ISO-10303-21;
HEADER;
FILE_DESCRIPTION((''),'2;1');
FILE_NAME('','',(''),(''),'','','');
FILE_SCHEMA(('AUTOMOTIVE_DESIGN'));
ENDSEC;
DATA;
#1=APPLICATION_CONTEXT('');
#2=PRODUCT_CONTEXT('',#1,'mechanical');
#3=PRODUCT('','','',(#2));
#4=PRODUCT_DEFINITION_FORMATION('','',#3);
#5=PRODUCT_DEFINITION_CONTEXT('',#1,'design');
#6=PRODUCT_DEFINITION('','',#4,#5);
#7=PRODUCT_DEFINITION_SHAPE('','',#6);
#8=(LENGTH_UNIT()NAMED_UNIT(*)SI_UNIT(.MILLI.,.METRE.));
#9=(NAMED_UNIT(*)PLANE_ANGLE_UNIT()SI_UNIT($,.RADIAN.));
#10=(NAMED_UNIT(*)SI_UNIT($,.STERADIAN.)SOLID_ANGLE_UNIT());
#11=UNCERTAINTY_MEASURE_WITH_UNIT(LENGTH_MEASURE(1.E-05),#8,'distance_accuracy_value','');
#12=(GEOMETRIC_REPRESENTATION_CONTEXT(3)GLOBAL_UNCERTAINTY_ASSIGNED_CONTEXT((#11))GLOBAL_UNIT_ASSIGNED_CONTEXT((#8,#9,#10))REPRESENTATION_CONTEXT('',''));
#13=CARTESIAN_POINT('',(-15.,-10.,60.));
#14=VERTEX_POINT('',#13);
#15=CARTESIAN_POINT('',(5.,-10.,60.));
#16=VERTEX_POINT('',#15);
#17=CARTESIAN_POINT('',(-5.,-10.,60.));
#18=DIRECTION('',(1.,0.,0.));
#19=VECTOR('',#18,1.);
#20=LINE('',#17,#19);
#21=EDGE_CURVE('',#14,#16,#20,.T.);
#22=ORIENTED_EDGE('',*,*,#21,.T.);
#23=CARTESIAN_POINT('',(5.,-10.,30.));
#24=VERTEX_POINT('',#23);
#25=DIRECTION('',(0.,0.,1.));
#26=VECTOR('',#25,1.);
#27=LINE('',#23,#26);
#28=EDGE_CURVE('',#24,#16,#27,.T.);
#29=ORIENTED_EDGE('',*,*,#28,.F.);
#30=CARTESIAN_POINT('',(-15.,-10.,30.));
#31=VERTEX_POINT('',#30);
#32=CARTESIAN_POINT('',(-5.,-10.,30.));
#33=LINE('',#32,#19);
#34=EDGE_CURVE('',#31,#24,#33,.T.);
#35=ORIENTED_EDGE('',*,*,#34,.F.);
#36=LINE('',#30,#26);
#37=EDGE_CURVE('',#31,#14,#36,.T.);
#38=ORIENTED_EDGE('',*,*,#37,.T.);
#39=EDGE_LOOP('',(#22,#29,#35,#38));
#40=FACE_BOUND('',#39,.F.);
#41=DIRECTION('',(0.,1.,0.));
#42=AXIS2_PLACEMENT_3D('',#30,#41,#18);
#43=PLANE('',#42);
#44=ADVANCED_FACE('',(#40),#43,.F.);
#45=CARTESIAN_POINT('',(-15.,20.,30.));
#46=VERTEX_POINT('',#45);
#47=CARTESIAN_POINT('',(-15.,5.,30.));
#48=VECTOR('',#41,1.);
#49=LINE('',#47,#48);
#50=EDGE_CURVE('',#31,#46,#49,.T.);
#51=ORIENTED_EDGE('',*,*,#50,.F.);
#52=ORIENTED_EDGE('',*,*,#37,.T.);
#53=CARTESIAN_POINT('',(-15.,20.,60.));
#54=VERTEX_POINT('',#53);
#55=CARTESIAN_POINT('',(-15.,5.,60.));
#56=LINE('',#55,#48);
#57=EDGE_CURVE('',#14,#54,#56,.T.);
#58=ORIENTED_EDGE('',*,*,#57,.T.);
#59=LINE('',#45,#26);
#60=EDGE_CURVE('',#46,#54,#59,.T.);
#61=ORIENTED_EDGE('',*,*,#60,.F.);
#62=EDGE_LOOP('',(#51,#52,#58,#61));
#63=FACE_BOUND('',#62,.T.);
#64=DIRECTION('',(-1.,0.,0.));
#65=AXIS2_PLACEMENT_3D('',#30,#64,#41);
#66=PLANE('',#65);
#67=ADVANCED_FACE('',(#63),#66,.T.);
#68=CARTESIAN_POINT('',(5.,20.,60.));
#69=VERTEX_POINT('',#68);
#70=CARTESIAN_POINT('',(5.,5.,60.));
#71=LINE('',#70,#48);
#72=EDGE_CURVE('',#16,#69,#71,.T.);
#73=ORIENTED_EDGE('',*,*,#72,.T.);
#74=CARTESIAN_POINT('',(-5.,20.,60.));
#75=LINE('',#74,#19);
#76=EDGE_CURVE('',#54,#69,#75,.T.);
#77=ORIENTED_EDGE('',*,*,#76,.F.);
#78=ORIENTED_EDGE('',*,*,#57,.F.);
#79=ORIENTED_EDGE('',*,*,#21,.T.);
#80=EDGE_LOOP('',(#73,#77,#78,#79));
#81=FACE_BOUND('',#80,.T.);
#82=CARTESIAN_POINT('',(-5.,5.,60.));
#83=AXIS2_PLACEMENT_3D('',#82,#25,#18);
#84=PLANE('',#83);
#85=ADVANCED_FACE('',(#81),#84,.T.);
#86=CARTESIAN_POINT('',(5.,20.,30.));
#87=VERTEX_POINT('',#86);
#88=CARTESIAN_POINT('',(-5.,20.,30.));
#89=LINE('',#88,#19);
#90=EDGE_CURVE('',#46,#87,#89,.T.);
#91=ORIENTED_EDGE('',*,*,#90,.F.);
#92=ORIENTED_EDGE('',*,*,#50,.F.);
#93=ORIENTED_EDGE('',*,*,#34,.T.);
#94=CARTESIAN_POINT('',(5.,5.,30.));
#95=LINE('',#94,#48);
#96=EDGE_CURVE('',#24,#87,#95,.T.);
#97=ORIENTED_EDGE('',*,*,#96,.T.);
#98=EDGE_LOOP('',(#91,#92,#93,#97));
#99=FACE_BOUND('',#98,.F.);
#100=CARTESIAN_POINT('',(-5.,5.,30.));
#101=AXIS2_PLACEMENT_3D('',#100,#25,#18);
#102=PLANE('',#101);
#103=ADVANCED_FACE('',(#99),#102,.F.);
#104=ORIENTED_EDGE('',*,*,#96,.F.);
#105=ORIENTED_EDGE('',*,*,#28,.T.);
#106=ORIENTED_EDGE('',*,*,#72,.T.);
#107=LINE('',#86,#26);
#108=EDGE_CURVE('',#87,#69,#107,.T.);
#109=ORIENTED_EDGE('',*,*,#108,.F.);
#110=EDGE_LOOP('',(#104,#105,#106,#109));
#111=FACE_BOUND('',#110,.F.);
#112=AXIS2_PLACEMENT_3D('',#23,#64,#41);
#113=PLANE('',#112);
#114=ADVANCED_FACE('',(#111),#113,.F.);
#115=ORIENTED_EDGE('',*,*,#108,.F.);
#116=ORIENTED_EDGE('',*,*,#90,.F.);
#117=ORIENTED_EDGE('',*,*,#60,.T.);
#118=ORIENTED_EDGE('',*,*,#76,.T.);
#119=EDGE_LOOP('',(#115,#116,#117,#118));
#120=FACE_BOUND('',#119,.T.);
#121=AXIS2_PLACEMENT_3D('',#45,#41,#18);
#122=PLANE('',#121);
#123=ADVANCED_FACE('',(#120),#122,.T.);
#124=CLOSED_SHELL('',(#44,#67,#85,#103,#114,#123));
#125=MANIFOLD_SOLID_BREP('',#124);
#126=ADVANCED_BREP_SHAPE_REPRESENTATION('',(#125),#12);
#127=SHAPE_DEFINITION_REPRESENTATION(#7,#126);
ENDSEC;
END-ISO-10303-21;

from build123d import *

# Parameters (mm, degrees)
TOMADA_W     = 20
TOMADA_H     = 30
TOMADA_DEPTH = 30


with BuildPart() as part:
    # tomada → tomada (new body)
    with BuildSketch(Plane(origin=(-15, -10, 30), x_dir=(1, 0, 0), z_dir=(0, 0, 1))):
        with Locations((10, 15)):
            Rectangle(TOMADA_W, TOMADA_H)
    extrude(amount=TOMADA_DEPTH)


solid = part.part
